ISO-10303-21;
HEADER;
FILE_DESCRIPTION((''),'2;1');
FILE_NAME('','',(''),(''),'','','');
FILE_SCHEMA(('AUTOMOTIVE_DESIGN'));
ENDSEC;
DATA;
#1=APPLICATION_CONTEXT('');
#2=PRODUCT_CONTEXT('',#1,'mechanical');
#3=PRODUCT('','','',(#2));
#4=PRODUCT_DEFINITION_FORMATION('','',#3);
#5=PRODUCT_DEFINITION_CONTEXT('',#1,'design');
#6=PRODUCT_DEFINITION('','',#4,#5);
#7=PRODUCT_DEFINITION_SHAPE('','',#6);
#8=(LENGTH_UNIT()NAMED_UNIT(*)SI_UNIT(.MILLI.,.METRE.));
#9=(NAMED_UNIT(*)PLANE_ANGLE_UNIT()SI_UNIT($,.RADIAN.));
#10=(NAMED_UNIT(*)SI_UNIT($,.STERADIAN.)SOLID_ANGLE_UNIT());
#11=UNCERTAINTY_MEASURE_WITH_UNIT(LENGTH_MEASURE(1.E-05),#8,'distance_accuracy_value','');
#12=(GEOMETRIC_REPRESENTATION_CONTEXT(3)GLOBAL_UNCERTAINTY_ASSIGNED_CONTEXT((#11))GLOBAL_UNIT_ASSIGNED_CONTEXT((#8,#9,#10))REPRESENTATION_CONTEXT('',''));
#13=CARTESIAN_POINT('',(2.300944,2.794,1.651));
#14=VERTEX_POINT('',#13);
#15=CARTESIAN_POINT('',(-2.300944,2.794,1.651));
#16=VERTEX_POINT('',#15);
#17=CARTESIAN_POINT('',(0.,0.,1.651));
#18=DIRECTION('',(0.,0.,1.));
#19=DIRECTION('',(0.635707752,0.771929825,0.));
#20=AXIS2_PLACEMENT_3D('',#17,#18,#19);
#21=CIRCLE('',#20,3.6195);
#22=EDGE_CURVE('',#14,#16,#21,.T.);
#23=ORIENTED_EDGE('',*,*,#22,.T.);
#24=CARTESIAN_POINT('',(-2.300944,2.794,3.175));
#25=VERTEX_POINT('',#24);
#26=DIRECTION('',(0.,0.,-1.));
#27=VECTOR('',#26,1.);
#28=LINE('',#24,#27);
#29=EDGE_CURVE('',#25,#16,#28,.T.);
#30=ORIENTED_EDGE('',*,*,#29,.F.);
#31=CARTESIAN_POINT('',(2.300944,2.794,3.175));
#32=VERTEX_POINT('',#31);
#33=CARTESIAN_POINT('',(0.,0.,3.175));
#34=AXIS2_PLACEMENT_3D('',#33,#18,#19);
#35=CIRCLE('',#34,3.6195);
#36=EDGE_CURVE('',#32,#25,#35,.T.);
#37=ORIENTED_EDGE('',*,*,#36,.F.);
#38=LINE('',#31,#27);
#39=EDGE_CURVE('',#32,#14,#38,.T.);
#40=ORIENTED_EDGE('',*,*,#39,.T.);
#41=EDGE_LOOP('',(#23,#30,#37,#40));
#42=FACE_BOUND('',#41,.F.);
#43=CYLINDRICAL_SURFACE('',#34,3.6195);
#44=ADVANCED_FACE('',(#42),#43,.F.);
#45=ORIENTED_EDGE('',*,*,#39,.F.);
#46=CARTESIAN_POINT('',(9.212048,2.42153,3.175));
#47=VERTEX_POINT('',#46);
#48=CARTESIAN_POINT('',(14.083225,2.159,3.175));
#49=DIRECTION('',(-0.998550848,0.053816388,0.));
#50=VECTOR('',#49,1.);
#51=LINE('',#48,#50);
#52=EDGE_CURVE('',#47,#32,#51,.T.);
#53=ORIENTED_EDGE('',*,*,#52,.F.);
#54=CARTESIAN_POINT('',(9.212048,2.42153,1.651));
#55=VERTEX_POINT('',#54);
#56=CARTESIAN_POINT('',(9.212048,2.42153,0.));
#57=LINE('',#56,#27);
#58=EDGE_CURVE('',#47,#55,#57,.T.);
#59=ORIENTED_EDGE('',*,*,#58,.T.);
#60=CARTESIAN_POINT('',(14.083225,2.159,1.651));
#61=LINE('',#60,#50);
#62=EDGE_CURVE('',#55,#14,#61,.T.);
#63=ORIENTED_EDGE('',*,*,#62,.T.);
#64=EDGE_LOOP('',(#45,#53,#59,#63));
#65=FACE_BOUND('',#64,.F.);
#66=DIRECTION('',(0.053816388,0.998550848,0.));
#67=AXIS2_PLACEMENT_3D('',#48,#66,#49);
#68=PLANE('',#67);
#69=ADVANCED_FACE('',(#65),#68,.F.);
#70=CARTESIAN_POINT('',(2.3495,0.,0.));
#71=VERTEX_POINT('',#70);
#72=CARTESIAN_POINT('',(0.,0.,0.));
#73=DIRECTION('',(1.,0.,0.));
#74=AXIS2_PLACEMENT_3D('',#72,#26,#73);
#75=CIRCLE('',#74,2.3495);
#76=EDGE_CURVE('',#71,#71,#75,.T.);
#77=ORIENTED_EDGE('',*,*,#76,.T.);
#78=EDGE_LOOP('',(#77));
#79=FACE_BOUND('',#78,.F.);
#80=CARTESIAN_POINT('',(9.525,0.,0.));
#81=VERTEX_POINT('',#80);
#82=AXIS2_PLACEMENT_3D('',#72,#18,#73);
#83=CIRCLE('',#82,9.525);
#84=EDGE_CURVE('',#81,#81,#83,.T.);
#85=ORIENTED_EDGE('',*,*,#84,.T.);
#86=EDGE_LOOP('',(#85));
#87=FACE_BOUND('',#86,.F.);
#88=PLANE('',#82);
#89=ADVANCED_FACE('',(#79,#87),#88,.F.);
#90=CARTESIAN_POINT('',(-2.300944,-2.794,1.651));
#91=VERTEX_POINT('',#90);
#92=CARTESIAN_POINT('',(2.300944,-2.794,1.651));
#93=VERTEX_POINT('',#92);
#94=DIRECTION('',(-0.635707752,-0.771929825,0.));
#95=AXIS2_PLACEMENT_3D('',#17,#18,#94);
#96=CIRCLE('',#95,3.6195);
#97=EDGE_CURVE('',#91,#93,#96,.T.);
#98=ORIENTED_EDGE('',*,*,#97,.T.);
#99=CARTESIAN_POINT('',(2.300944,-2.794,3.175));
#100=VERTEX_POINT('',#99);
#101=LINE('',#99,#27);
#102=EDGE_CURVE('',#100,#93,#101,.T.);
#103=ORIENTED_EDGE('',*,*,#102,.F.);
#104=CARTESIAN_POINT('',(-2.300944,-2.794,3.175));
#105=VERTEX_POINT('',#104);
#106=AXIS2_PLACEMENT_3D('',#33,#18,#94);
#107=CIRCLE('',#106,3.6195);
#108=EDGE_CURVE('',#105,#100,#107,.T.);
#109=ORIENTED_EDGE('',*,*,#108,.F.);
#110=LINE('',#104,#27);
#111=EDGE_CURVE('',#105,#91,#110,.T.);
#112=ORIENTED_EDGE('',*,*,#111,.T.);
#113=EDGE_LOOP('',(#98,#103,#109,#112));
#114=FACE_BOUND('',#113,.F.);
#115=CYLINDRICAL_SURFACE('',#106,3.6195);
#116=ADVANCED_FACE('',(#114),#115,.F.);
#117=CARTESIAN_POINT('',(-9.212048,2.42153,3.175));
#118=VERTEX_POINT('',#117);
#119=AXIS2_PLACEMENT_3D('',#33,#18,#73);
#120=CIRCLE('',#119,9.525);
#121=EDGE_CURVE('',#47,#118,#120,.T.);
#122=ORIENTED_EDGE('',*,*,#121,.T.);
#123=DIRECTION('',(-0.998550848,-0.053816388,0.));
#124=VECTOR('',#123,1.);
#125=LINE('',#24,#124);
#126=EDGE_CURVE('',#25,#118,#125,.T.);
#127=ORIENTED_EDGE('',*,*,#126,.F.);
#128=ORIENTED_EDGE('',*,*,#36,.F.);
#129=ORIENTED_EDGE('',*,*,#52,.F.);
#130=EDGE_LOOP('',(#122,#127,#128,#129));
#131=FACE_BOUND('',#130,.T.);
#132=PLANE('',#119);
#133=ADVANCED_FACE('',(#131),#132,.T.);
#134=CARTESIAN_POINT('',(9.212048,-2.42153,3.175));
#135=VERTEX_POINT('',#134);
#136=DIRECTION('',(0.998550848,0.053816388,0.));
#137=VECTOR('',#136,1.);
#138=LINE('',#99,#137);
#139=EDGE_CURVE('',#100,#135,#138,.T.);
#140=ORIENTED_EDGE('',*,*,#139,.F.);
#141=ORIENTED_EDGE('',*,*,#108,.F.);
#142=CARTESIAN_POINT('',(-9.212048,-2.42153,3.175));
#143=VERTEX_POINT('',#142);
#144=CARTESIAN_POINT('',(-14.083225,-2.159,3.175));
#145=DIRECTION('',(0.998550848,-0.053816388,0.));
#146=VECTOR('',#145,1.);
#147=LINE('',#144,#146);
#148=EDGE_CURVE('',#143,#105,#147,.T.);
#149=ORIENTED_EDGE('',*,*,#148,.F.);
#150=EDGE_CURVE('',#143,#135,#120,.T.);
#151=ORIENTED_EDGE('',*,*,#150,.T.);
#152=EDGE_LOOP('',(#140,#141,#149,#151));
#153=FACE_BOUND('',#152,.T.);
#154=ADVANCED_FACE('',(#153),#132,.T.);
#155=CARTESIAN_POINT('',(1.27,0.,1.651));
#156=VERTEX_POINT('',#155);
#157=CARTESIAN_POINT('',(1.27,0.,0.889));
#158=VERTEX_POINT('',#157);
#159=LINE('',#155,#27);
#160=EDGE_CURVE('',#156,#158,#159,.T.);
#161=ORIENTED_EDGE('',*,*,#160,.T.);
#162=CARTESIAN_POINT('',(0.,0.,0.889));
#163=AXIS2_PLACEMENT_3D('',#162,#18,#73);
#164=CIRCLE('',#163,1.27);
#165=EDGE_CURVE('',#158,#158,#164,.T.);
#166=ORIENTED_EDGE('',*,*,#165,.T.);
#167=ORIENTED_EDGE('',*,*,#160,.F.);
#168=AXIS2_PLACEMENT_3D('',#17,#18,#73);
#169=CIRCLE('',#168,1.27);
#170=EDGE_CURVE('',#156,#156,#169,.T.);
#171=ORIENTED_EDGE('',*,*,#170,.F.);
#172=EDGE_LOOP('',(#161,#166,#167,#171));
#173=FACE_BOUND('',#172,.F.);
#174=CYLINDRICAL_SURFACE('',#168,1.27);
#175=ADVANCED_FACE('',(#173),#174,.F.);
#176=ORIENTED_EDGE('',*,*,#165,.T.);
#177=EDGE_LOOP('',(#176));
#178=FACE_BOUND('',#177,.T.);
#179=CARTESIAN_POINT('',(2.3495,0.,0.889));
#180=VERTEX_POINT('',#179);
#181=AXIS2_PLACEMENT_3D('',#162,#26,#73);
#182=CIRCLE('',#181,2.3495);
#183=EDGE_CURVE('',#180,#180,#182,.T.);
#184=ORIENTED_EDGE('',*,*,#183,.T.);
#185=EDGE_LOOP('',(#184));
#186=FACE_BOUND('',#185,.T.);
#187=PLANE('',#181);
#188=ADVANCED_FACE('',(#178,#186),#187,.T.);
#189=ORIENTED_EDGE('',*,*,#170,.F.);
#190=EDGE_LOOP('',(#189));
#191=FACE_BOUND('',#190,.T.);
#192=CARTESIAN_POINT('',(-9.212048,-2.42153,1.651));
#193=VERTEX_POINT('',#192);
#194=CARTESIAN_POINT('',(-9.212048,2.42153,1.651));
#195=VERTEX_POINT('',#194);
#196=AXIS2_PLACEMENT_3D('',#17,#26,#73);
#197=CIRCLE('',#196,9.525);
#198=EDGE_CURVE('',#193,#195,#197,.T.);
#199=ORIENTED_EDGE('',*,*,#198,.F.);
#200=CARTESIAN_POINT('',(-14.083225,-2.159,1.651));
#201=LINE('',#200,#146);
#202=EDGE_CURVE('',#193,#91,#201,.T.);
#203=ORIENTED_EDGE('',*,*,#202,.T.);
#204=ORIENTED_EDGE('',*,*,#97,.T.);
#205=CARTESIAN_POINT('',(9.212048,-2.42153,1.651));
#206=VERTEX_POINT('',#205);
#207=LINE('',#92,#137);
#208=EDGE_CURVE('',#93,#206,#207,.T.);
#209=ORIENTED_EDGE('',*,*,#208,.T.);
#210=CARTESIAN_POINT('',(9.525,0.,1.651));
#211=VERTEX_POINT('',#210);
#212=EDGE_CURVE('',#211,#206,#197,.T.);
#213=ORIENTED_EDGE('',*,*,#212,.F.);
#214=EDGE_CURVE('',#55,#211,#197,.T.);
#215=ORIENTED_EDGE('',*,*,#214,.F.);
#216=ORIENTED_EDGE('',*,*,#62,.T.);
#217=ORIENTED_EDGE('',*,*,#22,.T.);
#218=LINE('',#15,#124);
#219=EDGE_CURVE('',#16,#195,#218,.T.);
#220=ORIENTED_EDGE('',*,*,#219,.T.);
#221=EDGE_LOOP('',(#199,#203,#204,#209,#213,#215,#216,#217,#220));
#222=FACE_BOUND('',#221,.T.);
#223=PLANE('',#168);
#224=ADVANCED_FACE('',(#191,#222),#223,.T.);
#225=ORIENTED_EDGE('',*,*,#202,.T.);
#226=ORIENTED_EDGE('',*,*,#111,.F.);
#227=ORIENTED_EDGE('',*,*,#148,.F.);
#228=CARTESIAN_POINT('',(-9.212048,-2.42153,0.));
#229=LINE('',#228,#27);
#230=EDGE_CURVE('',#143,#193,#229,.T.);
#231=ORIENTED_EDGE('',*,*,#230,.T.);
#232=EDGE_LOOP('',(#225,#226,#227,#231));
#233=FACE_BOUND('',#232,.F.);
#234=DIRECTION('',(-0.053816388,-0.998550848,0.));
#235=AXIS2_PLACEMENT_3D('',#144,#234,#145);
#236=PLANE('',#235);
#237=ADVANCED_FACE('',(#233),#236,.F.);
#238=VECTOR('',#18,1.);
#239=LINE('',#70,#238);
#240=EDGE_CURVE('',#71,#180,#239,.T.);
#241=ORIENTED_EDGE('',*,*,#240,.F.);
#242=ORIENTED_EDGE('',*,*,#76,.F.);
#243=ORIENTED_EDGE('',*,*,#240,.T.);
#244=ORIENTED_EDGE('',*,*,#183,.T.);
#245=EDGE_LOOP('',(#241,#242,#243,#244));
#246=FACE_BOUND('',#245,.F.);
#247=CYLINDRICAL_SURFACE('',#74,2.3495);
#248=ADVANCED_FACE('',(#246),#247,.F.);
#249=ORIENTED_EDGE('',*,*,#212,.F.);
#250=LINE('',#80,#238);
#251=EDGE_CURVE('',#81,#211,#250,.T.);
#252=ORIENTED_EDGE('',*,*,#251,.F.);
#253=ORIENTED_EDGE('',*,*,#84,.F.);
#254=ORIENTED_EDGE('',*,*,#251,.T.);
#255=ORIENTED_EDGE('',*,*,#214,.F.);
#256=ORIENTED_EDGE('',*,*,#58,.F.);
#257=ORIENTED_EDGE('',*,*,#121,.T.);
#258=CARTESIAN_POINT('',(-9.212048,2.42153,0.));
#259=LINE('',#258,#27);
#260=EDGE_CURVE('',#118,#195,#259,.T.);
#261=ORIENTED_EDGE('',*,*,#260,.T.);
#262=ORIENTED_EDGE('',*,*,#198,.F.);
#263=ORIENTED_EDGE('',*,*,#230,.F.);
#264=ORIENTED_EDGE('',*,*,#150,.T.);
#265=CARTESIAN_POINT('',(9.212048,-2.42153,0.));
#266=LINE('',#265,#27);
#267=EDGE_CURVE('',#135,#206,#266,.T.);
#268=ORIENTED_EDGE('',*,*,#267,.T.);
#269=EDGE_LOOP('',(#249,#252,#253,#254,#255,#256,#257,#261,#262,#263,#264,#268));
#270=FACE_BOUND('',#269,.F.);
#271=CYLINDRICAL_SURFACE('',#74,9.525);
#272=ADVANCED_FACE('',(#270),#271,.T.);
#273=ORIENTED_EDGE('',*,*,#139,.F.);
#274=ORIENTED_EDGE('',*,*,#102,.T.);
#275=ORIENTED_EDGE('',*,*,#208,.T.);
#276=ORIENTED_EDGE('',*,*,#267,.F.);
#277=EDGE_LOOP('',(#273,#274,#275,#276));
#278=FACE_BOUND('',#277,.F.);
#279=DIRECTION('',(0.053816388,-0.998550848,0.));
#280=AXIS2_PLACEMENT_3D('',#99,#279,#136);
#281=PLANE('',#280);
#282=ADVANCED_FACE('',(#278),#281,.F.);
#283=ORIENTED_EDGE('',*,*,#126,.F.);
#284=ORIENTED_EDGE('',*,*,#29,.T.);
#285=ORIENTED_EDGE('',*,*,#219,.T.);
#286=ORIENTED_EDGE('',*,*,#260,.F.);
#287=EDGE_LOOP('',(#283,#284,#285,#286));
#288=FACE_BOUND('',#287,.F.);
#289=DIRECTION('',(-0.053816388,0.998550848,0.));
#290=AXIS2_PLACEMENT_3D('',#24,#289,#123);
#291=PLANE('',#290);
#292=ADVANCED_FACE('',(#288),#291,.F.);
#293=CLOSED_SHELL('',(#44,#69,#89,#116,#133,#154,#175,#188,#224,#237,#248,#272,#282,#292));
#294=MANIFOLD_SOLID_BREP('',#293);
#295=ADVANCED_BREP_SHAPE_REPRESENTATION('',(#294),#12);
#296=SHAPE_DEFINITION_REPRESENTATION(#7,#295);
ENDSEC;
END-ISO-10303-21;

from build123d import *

# Parameters (mm, degrees)
F0_R     = 9.525
F1_DEPTH = 3.175
F3_DEPTH = 1.524
F4_R     = 1.27
F5_DEPTH = 25.4
F6_R     = 2.3495
F7_DEPTH = 0.889


with BuildPart() as f1:
    # F0 (on Top) → F1 (new body)
    with BuildSketch(Plane.XY):
        Circle(F0_R)
    extrude(amount=F1_DEPTH)

    # F2 (on face) → F3 (cut)
    with BuildSketch(Plane.XY.offset(3.175)):
        with BuildLine():
            Line((2.3009442084, -2.794), (14.0832249425, -2.159))
            ThreePointArc((14.0832249425, -2.159), (16.129, 0), (14.0832249425, 2.159))
            Line((14.0832249425, 2.159), (2.3009442084, 2.794))
            ThreePointArc((2.3009442084, 2.794), (0, 3.6195), (-2.3009442084, 2.794))
            Line((-2.3009442084, 2.794), (-14.0832249425, 2.159))
            ThreePointArc((-14.0832249425, 2.159), (-16.129, 0), (-14.0832249425, -2.159))
            Line((-14.0832249425, -2.159), (-2.3009442084, -2.794))
            ThreePointArc((-2.3009442084, -2.794), (0, -3.6195), (2.3009442084, -2.794))
        make_face()
    extrude(amount=-F3_DEPTH, mode=Mode.SUBTRACT)

    # F4 (on face) → F5 (cut)
    with BuildSketch(Plane.XY.offset(1.651)):
        Circle(F4_R)
    extrude(amount=-F5_DEPTH, mode=Mode.SUBTRACT)

    # F6 (on face) → F7 (cut, through all)
    with BuildSketch(Plane(origin=(0, 0, 0), x_dir=(1, 0, 0), z_dir=(0, 0, -1))):
        Circle(F6_R)
    extrude(amount=-F7_DEPTH, mode=Mode.SUBTRACT)


solid = f1.part
